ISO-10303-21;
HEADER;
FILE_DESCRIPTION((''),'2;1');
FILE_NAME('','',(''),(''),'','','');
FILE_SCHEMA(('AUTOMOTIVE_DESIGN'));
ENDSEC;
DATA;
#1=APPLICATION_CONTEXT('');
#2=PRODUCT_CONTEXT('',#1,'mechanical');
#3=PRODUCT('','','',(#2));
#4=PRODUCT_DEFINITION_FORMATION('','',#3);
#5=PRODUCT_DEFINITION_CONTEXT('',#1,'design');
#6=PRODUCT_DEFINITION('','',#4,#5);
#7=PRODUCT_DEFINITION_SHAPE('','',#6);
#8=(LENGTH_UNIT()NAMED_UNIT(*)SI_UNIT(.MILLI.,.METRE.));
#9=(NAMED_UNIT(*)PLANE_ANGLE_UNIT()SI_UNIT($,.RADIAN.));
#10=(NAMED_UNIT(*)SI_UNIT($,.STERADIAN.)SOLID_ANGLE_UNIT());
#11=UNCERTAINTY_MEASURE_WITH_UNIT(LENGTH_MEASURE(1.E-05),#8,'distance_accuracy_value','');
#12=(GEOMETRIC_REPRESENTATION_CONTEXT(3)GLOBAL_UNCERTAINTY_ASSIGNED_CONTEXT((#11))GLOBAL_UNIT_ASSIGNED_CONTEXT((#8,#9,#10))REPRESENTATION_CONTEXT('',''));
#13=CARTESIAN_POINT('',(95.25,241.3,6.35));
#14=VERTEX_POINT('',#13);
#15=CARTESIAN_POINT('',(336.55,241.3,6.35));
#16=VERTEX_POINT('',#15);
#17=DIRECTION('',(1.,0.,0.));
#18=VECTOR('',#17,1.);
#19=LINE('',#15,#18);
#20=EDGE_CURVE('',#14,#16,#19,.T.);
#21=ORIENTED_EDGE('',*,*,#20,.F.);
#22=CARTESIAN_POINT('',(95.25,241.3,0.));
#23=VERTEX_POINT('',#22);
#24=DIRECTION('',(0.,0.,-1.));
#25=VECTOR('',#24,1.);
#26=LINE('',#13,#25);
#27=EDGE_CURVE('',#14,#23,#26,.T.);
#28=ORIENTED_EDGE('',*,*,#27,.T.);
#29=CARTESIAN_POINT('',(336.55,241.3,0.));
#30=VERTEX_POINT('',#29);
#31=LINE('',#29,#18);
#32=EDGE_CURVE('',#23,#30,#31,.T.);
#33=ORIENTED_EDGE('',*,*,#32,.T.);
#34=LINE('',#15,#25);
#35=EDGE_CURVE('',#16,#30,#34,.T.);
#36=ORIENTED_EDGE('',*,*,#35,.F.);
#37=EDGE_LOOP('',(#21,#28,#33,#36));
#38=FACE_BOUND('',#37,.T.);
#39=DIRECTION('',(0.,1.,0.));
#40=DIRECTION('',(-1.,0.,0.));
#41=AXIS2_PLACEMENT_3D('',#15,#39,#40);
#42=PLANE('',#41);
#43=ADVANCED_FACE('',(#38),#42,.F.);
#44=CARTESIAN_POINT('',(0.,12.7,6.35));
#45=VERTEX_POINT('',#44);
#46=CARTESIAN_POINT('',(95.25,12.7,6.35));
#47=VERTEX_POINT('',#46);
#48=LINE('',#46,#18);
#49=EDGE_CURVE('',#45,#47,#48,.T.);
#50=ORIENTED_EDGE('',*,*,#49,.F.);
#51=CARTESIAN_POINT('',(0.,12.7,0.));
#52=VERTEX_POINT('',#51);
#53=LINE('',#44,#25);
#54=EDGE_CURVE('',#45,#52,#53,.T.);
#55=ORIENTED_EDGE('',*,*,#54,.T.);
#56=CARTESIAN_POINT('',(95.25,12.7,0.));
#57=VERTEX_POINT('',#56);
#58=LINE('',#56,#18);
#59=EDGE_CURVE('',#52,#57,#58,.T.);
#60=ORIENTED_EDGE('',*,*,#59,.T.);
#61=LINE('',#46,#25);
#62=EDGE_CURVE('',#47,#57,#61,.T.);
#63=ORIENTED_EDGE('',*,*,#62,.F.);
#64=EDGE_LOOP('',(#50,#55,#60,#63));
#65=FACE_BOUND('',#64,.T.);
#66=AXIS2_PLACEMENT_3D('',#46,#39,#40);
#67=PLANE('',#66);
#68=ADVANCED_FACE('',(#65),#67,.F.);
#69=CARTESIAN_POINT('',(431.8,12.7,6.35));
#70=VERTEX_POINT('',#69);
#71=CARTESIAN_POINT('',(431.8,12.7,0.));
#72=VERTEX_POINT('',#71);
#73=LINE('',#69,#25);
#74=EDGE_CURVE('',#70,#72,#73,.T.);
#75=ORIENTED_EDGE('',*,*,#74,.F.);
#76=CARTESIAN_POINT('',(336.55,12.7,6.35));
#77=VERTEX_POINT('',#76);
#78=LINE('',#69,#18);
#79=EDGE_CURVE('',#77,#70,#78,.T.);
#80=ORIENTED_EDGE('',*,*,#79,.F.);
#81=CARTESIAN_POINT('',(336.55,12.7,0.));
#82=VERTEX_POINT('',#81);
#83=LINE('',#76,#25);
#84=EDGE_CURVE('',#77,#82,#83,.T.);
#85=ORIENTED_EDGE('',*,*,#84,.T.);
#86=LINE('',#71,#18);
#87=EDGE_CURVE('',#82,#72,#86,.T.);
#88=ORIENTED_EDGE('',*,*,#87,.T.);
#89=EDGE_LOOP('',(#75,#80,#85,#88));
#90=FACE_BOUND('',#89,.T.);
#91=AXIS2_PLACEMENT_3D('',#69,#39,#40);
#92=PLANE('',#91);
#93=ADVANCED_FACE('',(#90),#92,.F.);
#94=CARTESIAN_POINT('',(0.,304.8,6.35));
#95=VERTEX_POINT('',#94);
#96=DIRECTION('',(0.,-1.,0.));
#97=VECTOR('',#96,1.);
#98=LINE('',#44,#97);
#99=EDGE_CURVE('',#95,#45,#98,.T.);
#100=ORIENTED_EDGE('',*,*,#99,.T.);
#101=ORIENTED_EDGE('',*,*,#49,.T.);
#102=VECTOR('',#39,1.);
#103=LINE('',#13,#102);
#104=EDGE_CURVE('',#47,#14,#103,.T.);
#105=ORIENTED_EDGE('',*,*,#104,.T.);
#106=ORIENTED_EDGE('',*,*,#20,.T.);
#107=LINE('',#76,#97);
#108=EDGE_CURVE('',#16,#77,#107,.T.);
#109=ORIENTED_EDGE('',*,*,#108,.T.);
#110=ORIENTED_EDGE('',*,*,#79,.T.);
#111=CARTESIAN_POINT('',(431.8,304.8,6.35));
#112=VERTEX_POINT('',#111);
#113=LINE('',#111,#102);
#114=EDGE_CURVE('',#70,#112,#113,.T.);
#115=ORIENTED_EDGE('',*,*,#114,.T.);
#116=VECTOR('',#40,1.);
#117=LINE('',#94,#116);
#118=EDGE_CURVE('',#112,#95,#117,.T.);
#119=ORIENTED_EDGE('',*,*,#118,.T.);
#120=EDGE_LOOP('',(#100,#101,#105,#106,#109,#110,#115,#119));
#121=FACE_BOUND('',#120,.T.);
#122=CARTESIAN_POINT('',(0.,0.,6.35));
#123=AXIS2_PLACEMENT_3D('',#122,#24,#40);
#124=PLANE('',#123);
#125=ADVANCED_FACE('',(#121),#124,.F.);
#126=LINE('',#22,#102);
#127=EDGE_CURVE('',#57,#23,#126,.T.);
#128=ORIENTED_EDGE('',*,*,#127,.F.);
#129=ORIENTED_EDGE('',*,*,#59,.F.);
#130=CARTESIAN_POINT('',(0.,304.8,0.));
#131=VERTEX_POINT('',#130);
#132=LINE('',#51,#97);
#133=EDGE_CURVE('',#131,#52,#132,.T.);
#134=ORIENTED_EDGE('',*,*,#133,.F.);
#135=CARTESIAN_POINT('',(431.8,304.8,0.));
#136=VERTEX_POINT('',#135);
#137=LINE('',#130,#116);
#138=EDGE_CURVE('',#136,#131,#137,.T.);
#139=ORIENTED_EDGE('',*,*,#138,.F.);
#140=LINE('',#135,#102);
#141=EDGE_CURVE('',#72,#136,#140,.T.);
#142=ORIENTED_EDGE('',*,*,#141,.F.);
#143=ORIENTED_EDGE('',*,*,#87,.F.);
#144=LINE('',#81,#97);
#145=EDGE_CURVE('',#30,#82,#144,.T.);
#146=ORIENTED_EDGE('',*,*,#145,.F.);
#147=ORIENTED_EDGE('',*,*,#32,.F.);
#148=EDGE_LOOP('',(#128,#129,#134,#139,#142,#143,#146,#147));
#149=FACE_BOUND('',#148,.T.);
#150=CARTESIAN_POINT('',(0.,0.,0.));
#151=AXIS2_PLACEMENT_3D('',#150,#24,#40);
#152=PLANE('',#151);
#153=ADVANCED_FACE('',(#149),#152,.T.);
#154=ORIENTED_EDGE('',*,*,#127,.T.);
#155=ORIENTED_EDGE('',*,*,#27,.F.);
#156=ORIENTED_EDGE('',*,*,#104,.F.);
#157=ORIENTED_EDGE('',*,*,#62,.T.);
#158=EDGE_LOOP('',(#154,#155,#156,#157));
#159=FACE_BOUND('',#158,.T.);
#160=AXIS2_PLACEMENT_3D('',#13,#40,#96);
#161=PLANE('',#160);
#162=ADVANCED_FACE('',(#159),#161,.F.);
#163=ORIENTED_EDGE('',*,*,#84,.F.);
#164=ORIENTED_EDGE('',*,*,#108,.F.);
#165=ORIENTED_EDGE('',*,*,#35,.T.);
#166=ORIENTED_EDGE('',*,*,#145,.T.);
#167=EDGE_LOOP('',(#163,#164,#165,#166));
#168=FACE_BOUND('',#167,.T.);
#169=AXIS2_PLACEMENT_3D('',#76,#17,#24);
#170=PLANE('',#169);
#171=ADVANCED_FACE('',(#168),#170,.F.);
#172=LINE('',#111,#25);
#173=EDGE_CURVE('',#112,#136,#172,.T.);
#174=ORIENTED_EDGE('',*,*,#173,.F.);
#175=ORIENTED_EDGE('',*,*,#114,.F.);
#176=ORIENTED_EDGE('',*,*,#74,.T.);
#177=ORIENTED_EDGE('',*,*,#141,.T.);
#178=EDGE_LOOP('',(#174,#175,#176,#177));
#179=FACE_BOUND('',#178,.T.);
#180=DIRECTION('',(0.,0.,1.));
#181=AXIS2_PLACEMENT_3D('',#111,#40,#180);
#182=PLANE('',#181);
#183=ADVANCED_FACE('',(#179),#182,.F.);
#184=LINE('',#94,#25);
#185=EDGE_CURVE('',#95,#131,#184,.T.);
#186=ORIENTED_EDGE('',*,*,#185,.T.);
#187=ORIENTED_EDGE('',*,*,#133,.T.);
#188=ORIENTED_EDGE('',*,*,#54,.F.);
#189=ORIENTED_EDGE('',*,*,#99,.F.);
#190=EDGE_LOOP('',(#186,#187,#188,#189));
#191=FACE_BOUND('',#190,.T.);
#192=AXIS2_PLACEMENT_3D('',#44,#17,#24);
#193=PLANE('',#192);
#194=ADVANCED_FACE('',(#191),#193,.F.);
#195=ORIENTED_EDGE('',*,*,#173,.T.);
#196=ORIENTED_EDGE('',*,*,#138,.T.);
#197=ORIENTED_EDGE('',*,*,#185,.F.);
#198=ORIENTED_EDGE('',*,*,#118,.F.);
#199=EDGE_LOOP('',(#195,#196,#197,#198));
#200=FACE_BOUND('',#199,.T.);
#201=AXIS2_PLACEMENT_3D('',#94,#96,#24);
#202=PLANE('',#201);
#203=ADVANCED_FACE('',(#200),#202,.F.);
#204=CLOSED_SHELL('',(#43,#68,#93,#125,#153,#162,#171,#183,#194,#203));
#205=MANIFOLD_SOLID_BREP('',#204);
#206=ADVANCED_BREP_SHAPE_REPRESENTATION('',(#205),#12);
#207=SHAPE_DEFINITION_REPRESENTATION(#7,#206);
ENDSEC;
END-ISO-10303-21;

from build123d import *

# Parameters (mm, degrees)
BOSS_EXTRUDE1_DEPTH = 6.35


with BuildPart() as part:
    # Sketch1 → Boss-Extrude1 (new body)
    with BuildSketch(Plane.XY):
        Polygon((0, 12.7), (0, 304.8), (431.8, 304.8), (431.8, 12.7), (336.55, 12.7), (336.55, 241.3), (95.25, 241.3), (95.25, 12.7), align=None)
    extrude(amount=BOSS_EXTRUDE1_DEPTH)


solid = part.part
